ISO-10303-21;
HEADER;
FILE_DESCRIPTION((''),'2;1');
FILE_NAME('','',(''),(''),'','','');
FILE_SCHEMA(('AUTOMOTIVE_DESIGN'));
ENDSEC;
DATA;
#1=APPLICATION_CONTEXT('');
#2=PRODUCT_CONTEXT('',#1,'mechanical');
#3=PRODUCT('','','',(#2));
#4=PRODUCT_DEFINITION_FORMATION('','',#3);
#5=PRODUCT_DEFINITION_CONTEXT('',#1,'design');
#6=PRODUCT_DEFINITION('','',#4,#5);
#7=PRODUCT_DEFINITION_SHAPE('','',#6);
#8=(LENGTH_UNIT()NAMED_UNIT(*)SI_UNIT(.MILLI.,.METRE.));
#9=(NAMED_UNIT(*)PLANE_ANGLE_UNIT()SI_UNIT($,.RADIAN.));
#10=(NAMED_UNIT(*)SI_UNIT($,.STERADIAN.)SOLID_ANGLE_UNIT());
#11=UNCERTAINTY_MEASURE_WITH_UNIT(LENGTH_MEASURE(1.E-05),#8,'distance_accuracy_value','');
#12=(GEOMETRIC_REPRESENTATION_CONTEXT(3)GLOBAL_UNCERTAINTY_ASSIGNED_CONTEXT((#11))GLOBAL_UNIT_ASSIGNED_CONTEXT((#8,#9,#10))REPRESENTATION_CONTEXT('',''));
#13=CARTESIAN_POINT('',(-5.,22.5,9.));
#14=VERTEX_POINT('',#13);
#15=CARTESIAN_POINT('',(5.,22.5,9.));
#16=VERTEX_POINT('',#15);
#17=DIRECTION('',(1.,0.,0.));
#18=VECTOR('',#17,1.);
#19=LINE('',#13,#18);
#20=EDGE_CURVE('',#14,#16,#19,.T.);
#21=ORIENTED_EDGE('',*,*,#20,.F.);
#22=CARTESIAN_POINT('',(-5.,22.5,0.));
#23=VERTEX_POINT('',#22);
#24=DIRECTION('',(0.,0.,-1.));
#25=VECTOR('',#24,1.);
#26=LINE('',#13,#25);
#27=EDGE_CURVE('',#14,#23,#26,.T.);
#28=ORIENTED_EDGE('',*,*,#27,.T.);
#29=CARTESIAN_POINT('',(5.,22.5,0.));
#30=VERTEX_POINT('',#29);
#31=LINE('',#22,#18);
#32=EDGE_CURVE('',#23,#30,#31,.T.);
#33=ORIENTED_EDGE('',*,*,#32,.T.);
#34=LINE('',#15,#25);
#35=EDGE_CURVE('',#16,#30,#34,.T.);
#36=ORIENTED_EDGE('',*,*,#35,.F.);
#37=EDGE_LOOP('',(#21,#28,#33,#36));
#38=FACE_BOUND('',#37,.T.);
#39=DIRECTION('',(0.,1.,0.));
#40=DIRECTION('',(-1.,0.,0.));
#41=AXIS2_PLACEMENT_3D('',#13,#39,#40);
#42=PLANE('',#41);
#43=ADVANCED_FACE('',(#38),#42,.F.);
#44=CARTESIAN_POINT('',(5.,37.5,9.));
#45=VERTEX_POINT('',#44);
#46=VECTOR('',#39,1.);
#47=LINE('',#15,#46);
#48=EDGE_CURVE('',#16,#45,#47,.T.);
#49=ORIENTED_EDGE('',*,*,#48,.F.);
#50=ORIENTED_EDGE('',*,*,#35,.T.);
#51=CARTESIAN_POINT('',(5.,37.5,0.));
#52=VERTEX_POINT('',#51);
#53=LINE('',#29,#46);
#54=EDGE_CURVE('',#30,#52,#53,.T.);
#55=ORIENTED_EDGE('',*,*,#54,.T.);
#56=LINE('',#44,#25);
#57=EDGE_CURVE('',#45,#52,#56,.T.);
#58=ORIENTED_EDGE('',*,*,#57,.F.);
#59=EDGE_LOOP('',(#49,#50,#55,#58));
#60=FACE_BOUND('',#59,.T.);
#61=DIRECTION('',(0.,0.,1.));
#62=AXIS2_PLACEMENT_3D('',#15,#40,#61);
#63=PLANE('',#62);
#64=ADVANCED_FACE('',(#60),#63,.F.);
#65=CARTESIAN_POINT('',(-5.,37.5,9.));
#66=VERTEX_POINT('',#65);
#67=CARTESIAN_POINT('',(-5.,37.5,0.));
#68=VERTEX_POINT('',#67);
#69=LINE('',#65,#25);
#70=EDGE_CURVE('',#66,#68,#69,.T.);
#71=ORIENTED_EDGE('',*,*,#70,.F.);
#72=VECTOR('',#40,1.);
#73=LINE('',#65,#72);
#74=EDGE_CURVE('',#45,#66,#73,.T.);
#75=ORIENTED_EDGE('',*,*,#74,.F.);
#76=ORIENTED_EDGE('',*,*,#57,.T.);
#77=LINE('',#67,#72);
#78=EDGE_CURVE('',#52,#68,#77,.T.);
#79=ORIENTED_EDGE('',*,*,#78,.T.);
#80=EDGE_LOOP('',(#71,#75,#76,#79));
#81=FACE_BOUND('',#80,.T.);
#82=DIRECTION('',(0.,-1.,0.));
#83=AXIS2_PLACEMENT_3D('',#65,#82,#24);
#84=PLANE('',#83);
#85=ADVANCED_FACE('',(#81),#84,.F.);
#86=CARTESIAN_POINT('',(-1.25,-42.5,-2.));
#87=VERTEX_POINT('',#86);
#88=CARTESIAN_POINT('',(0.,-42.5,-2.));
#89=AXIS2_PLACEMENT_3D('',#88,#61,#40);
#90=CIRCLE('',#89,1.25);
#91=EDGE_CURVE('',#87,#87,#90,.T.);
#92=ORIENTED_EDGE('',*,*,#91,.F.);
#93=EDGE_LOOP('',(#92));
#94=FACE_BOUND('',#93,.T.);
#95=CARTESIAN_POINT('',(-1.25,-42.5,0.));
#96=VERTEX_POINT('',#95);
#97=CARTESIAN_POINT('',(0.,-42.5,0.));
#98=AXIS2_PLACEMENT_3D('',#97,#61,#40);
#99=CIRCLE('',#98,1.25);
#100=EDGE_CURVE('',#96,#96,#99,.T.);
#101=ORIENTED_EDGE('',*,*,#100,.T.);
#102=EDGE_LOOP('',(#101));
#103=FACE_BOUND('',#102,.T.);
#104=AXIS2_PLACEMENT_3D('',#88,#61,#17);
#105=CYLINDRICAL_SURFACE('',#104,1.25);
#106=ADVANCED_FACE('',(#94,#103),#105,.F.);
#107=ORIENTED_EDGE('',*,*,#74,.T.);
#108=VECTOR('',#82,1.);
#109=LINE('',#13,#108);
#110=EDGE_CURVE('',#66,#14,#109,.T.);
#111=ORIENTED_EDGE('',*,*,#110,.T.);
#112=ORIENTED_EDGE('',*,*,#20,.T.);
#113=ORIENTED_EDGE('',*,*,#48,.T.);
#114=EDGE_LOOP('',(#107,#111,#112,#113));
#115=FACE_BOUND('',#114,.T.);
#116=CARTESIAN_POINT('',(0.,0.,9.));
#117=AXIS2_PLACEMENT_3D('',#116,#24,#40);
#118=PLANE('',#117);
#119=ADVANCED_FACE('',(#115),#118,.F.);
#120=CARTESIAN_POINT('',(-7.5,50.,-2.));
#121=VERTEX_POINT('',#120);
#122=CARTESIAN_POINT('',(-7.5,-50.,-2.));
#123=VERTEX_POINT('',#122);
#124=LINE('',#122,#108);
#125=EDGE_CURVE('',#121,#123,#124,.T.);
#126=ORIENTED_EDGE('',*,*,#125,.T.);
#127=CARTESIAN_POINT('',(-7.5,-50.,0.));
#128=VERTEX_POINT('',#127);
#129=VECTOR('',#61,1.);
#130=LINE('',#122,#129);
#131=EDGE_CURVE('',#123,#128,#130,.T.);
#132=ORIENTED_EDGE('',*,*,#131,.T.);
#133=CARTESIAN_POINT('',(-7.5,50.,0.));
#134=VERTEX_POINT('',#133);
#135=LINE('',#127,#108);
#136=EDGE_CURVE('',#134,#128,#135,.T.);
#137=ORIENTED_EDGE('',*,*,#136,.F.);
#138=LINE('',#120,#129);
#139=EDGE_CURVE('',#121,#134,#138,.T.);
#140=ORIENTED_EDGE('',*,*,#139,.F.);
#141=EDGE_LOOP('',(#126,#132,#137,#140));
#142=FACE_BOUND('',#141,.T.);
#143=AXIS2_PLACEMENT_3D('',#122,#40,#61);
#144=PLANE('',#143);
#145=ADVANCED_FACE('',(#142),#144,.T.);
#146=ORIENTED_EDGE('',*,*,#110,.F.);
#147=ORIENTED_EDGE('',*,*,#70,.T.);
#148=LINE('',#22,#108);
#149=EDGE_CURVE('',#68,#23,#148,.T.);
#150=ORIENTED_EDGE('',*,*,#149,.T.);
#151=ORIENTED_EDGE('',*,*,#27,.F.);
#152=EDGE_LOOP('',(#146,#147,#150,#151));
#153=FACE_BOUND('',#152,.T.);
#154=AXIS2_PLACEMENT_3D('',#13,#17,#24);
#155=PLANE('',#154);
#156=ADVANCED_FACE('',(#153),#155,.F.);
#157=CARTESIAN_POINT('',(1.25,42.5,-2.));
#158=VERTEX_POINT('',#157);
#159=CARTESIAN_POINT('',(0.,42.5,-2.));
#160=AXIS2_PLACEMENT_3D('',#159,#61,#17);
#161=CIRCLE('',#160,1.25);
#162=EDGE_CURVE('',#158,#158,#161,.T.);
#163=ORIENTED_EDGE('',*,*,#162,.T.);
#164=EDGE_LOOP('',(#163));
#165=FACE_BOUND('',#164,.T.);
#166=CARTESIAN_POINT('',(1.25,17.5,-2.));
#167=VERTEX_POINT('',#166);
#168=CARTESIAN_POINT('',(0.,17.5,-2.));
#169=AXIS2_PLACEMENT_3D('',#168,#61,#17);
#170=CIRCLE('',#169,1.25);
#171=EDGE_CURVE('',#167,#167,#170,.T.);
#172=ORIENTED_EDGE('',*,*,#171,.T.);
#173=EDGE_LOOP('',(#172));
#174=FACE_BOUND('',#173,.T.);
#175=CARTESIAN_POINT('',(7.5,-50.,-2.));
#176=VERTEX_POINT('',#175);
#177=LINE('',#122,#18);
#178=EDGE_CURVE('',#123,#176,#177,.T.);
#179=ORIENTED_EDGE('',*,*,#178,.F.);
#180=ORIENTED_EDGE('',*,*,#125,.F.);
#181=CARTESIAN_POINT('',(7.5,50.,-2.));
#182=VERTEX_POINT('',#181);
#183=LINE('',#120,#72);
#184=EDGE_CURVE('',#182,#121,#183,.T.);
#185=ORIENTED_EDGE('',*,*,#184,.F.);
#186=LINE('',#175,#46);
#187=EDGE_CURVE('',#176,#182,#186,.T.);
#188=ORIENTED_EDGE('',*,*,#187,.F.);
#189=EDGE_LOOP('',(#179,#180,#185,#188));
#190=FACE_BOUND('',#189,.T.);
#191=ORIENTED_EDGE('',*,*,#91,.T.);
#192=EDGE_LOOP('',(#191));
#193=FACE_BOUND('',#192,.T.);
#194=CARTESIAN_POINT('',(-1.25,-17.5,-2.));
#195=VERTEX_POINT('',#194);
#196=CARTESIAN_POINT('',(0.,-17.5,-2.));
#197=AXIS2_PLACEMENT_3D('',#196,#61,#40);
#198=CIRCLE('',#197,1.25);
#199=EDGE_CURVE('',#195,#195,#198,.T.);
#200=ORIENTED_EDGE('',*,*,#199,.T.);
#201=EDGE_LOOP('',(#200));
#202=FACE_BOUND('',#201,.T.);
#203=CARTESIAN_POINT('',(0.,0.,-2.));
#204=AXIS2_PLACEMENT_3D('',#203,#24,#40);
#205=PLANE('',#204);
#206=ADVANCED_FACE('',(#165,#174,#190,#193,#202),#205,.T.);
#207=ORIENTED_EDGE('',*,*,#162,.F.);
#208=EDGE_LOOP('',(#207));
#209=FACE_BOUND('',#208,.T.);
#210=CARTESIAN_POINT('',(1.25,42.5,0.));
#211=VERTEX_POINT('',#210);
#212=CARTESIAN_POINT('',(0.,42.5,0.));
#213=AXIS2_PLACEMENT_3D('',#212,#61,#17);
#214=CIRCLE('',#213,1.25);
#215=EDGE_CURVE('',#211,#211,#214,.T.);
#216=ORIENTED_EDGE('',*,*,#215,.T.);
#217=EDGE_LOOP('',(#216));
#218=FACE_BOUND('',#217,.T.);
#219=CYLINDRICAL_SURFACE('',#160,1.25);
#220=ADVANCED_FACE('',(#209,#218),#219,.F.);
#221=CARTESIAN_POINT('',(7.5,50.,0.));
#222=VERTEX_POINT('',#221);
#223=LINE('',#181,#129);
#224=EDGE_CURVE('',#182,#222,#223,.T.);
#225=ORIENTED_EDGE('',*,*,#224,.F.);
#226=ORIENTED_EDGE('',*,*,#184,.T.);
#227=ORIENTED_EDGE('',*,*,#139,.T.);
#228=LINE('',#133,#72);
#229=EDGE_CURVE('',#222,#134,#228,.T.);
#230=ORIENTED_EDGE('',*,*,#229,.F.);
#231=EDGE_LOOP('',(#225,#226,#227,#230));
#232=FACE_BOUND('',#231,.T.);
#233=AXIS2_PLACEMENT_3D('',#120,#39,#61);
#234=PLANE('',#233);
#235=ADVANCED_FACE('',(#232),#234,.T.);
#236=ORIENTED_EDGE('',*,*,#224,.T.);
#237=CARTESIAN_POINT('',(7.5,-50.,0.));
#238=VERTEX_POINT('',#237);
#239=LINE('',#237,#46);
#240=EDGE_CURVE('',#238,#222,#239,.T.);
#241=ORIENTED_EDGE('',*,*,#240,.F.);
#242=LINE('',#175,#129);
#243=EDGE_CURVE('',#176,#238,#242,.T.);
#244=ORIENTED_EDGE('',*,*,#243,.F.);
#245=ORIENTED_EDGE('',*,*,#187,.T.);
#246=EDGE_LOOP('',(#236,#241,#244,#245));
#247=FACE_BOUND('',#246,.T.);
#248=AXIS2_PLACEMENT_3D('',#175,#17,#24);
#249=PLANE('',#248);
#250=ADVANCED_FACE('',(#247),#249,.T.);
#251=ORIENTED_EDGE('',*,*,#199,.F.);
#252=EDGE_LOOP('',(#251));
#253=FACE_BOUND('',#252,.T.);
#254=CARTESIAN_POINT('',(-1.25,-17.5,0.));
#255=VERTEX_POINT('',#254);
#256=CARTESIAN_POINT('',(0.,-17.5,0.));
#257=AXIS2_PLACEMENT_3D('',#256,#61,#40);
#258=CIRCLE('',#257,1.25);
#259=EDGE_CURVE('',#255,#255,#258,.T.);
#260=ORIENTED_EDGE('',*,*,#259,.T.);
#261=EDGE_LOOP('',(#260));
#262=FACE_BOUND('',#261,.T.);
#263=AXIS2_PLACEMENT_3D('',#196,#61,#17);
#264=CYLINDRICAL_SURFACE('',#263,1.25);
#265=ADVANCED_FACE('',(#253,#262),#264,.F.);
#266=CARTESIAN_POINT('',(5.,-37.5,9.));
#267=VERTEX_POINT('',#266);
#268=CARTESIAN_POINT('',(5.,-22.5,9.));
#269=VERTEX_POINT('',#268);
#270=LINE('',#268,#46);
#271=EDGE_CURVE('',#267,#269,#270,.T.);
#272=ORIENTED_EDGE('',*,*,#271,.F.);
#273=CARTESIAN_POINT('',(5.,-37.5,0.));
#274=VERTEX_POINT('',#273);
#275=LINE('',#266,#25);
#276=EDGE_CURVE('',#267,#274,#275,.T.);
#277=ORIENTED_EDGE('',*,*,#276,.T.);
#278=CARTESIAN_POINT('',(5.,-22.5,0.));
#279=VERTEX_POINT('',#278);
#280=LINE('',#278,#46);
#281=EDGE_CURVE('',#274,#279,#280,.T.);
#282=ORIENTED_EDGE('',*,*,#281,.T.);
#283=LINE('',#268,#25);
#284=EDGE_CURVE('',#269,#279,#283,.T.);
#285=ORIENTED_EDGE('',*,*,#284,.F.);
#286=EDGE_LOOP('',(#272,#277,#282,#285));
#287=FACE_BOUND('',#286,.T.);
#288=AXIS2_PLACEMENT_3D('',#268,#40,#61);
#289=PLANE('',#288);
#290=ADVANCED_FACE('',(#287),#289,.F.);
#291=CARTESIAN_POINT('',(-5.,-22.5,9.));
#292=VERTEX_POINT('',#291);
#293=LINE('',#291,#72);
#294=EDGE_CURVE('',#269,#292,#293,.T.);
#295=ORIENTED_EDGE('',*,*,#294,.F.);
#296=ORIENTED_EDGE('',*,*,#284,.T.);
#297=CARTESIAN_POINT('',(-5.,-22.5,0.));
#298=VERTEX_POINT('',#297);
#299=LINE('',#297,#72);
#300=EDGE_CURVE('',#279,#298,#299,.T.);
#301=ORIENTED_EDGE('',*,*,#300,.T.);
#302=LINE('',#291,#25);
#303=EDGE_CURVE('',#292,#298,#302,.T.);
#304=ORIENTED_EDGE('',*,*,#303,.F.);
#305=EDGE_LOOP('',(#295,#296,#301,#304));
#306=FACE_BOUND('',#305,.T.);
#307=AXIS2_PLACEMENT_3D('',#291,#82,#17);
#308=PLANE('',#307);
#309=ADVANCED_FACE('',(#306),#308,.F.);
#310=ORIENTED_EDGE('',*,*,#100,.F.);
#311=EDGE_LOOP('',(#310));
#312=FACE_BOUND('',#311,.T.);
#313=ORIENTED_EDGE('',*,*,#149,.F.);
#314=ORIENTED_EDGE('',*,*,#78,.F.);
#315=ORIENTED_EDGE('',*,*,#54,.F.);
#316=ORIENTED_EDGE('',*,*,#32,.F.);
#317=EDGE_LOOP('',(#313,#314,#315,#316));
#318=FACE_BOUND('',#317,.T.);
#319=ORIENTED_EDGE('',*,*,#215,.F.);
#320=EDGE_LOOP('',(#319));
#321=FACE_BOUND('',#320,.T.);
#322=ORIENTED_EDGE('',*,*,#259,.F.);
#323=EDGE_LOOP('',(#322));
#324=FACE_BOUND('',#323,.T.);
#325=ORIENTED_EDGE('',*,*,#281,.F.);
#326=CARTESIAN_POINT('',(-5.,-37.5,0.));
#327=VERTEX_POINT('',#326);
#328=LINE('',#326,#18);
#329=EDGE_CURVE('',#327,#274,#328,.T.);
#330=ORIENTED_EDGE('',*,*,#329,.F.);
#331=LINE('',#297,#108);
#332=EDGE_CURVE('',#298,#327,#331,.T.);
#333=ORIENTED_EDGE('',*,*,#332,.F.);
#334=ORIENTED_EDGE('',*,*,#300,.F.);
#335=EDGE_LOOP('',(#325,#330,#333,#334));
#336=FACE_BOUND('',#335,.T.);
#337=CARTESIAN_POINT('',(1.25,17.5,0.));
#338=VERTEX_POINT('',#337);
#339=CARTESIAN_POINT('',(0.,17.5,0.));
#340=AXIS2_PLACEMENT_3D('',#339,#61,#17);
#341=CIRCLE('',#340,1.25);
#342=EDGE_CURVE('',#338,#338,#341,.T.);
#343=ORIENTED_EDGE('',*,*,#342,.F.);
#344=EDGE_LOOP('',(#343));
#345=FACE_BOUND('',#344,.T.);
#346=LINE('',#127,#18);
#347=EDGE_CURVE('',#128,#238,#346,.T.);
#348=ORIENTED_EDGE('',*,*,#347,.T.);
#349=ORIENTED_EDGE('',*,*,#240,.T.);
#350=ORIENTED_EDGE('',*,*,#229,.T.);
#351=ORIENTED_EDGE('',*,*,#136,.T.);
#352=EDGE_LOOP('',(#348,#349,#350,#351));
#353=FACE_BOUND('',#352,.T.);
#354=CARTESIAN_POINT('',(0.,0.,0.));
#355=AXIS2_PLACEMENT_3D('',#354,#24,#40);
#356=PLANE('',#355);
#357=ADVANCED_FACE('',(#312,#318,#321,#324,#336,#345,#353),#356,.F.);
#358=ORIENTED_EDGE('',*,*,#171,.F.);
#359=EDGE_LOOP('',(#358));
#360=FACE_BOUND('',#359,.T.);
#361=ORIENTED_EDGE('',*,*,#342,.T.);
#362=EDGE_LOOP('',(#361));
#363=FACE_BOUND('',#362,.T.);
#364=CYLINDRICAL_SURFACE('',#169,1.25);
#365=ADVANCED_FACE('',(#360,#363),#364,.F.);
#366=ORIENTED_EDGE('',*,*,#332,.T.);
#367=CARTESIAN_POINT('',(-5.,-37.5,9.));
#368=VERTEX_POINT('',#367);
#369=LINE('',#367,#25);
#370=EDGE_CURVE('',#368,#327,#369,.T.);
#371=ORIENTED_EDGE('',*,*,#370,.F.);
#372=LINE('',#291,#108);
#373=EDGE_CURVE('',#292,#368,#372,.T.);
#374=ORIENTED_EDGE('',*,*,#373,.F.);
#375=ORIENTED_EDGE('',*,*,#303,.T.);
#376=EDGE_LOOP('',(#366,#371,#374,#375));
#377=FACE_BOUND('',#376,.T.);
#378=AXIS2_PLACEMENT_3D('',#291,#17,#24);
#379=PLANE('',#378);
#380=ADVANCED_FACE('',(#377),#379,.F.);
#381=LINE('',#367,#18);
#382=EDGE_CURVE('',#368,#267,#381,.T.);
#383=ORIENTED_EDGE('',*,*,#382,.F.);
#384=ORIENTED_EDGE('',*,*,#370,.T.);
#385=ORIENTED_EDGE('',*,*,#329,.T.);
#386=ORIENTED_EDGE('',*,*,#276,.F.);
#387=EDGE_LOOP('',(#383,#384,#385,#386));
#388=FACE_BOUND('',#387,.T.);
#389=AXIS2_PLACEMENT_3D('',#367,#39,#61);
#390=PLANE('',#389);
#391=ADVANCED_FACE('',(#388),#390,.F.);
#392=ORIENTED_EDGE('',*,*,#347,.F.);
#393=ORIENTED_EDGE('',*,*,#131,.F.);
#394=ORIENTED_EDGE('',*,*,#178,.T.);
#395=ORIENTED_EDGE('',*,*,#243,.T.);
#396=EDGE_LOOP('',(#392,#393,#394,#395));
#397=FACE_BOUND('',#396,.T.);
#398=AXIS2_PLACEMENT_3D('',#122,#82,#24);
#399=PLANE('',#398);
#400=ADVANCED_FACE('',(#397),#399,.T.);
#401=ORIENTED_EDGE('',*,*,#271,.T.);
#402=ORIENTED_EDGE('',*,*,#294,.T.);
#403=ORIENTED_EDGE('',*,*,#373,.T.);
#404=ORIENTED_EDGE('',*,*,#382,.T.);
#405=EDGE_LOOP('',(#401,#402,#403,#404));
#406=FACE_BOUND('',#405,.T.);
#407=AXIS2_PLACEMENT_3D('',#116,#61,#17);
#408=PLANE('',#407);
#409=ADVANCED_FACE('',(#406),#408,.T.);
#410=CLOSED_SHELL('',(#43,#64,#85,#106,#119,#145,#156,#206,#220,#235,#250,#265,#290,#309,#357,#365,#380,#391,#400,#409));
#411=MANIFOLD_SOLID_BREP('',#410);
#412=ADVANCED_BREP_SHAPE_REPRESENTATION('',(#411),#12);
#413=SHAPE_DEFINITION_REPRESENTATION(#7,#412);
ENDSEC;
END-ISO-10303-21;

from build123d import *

# Parameters (mm, degrees)
CROQUIS1_W              = 15
CROQUIS1_H              = 100
CROQUIS1_R              = 1.25
SALIENTE_EXTRUIR1_DEPTH = 2
CROQUIS2_W              = 10
CROQUIS2_H              = 15
SALIENTE_EXTRUIR2_DEPTH = 9


with BuildPart() as part:
    # Croquis1 → Saliente-Extruir1 (new body)
    with BuildSketch(Plane.XY):
        Rectangle(CROQUIS1_W, CROQUIS1_H)
        with Locations((0, 42.5)):
            Circle(CROQUIS1_R, mode=Mode.SUBTRACT)
        with Locations((0, 17.5)):
            Circle(CROQUIS1_R, mode=Mode.SUBTRACT)
        with Locations((0, -42.5)):
            Circle(CROQUIS1_R, mode=Mode.SUBTRACT)
        with Locations((0, -17.5)):
            Circle(CROQUIS1_R, mode=Mode.SUBTRACT)
    extrude(amount=-SALIENTE_EXTRUIR1_DEPTH)

    # Croquis2 → Saliente-Extruir2 (add)
    with BuildSketch(Plane.XY):
        with Locations((0, 30)):
            Rectangle(CROQUIS2_W, CROQUIS2_H)
        with Locations((0, -30)):
            Rectangle(CROQUIS2_W, CROQUIS2_H)
    extrude(amount=SALIENTE_EXTRUIR2_DEPTH)


solid = part.part
